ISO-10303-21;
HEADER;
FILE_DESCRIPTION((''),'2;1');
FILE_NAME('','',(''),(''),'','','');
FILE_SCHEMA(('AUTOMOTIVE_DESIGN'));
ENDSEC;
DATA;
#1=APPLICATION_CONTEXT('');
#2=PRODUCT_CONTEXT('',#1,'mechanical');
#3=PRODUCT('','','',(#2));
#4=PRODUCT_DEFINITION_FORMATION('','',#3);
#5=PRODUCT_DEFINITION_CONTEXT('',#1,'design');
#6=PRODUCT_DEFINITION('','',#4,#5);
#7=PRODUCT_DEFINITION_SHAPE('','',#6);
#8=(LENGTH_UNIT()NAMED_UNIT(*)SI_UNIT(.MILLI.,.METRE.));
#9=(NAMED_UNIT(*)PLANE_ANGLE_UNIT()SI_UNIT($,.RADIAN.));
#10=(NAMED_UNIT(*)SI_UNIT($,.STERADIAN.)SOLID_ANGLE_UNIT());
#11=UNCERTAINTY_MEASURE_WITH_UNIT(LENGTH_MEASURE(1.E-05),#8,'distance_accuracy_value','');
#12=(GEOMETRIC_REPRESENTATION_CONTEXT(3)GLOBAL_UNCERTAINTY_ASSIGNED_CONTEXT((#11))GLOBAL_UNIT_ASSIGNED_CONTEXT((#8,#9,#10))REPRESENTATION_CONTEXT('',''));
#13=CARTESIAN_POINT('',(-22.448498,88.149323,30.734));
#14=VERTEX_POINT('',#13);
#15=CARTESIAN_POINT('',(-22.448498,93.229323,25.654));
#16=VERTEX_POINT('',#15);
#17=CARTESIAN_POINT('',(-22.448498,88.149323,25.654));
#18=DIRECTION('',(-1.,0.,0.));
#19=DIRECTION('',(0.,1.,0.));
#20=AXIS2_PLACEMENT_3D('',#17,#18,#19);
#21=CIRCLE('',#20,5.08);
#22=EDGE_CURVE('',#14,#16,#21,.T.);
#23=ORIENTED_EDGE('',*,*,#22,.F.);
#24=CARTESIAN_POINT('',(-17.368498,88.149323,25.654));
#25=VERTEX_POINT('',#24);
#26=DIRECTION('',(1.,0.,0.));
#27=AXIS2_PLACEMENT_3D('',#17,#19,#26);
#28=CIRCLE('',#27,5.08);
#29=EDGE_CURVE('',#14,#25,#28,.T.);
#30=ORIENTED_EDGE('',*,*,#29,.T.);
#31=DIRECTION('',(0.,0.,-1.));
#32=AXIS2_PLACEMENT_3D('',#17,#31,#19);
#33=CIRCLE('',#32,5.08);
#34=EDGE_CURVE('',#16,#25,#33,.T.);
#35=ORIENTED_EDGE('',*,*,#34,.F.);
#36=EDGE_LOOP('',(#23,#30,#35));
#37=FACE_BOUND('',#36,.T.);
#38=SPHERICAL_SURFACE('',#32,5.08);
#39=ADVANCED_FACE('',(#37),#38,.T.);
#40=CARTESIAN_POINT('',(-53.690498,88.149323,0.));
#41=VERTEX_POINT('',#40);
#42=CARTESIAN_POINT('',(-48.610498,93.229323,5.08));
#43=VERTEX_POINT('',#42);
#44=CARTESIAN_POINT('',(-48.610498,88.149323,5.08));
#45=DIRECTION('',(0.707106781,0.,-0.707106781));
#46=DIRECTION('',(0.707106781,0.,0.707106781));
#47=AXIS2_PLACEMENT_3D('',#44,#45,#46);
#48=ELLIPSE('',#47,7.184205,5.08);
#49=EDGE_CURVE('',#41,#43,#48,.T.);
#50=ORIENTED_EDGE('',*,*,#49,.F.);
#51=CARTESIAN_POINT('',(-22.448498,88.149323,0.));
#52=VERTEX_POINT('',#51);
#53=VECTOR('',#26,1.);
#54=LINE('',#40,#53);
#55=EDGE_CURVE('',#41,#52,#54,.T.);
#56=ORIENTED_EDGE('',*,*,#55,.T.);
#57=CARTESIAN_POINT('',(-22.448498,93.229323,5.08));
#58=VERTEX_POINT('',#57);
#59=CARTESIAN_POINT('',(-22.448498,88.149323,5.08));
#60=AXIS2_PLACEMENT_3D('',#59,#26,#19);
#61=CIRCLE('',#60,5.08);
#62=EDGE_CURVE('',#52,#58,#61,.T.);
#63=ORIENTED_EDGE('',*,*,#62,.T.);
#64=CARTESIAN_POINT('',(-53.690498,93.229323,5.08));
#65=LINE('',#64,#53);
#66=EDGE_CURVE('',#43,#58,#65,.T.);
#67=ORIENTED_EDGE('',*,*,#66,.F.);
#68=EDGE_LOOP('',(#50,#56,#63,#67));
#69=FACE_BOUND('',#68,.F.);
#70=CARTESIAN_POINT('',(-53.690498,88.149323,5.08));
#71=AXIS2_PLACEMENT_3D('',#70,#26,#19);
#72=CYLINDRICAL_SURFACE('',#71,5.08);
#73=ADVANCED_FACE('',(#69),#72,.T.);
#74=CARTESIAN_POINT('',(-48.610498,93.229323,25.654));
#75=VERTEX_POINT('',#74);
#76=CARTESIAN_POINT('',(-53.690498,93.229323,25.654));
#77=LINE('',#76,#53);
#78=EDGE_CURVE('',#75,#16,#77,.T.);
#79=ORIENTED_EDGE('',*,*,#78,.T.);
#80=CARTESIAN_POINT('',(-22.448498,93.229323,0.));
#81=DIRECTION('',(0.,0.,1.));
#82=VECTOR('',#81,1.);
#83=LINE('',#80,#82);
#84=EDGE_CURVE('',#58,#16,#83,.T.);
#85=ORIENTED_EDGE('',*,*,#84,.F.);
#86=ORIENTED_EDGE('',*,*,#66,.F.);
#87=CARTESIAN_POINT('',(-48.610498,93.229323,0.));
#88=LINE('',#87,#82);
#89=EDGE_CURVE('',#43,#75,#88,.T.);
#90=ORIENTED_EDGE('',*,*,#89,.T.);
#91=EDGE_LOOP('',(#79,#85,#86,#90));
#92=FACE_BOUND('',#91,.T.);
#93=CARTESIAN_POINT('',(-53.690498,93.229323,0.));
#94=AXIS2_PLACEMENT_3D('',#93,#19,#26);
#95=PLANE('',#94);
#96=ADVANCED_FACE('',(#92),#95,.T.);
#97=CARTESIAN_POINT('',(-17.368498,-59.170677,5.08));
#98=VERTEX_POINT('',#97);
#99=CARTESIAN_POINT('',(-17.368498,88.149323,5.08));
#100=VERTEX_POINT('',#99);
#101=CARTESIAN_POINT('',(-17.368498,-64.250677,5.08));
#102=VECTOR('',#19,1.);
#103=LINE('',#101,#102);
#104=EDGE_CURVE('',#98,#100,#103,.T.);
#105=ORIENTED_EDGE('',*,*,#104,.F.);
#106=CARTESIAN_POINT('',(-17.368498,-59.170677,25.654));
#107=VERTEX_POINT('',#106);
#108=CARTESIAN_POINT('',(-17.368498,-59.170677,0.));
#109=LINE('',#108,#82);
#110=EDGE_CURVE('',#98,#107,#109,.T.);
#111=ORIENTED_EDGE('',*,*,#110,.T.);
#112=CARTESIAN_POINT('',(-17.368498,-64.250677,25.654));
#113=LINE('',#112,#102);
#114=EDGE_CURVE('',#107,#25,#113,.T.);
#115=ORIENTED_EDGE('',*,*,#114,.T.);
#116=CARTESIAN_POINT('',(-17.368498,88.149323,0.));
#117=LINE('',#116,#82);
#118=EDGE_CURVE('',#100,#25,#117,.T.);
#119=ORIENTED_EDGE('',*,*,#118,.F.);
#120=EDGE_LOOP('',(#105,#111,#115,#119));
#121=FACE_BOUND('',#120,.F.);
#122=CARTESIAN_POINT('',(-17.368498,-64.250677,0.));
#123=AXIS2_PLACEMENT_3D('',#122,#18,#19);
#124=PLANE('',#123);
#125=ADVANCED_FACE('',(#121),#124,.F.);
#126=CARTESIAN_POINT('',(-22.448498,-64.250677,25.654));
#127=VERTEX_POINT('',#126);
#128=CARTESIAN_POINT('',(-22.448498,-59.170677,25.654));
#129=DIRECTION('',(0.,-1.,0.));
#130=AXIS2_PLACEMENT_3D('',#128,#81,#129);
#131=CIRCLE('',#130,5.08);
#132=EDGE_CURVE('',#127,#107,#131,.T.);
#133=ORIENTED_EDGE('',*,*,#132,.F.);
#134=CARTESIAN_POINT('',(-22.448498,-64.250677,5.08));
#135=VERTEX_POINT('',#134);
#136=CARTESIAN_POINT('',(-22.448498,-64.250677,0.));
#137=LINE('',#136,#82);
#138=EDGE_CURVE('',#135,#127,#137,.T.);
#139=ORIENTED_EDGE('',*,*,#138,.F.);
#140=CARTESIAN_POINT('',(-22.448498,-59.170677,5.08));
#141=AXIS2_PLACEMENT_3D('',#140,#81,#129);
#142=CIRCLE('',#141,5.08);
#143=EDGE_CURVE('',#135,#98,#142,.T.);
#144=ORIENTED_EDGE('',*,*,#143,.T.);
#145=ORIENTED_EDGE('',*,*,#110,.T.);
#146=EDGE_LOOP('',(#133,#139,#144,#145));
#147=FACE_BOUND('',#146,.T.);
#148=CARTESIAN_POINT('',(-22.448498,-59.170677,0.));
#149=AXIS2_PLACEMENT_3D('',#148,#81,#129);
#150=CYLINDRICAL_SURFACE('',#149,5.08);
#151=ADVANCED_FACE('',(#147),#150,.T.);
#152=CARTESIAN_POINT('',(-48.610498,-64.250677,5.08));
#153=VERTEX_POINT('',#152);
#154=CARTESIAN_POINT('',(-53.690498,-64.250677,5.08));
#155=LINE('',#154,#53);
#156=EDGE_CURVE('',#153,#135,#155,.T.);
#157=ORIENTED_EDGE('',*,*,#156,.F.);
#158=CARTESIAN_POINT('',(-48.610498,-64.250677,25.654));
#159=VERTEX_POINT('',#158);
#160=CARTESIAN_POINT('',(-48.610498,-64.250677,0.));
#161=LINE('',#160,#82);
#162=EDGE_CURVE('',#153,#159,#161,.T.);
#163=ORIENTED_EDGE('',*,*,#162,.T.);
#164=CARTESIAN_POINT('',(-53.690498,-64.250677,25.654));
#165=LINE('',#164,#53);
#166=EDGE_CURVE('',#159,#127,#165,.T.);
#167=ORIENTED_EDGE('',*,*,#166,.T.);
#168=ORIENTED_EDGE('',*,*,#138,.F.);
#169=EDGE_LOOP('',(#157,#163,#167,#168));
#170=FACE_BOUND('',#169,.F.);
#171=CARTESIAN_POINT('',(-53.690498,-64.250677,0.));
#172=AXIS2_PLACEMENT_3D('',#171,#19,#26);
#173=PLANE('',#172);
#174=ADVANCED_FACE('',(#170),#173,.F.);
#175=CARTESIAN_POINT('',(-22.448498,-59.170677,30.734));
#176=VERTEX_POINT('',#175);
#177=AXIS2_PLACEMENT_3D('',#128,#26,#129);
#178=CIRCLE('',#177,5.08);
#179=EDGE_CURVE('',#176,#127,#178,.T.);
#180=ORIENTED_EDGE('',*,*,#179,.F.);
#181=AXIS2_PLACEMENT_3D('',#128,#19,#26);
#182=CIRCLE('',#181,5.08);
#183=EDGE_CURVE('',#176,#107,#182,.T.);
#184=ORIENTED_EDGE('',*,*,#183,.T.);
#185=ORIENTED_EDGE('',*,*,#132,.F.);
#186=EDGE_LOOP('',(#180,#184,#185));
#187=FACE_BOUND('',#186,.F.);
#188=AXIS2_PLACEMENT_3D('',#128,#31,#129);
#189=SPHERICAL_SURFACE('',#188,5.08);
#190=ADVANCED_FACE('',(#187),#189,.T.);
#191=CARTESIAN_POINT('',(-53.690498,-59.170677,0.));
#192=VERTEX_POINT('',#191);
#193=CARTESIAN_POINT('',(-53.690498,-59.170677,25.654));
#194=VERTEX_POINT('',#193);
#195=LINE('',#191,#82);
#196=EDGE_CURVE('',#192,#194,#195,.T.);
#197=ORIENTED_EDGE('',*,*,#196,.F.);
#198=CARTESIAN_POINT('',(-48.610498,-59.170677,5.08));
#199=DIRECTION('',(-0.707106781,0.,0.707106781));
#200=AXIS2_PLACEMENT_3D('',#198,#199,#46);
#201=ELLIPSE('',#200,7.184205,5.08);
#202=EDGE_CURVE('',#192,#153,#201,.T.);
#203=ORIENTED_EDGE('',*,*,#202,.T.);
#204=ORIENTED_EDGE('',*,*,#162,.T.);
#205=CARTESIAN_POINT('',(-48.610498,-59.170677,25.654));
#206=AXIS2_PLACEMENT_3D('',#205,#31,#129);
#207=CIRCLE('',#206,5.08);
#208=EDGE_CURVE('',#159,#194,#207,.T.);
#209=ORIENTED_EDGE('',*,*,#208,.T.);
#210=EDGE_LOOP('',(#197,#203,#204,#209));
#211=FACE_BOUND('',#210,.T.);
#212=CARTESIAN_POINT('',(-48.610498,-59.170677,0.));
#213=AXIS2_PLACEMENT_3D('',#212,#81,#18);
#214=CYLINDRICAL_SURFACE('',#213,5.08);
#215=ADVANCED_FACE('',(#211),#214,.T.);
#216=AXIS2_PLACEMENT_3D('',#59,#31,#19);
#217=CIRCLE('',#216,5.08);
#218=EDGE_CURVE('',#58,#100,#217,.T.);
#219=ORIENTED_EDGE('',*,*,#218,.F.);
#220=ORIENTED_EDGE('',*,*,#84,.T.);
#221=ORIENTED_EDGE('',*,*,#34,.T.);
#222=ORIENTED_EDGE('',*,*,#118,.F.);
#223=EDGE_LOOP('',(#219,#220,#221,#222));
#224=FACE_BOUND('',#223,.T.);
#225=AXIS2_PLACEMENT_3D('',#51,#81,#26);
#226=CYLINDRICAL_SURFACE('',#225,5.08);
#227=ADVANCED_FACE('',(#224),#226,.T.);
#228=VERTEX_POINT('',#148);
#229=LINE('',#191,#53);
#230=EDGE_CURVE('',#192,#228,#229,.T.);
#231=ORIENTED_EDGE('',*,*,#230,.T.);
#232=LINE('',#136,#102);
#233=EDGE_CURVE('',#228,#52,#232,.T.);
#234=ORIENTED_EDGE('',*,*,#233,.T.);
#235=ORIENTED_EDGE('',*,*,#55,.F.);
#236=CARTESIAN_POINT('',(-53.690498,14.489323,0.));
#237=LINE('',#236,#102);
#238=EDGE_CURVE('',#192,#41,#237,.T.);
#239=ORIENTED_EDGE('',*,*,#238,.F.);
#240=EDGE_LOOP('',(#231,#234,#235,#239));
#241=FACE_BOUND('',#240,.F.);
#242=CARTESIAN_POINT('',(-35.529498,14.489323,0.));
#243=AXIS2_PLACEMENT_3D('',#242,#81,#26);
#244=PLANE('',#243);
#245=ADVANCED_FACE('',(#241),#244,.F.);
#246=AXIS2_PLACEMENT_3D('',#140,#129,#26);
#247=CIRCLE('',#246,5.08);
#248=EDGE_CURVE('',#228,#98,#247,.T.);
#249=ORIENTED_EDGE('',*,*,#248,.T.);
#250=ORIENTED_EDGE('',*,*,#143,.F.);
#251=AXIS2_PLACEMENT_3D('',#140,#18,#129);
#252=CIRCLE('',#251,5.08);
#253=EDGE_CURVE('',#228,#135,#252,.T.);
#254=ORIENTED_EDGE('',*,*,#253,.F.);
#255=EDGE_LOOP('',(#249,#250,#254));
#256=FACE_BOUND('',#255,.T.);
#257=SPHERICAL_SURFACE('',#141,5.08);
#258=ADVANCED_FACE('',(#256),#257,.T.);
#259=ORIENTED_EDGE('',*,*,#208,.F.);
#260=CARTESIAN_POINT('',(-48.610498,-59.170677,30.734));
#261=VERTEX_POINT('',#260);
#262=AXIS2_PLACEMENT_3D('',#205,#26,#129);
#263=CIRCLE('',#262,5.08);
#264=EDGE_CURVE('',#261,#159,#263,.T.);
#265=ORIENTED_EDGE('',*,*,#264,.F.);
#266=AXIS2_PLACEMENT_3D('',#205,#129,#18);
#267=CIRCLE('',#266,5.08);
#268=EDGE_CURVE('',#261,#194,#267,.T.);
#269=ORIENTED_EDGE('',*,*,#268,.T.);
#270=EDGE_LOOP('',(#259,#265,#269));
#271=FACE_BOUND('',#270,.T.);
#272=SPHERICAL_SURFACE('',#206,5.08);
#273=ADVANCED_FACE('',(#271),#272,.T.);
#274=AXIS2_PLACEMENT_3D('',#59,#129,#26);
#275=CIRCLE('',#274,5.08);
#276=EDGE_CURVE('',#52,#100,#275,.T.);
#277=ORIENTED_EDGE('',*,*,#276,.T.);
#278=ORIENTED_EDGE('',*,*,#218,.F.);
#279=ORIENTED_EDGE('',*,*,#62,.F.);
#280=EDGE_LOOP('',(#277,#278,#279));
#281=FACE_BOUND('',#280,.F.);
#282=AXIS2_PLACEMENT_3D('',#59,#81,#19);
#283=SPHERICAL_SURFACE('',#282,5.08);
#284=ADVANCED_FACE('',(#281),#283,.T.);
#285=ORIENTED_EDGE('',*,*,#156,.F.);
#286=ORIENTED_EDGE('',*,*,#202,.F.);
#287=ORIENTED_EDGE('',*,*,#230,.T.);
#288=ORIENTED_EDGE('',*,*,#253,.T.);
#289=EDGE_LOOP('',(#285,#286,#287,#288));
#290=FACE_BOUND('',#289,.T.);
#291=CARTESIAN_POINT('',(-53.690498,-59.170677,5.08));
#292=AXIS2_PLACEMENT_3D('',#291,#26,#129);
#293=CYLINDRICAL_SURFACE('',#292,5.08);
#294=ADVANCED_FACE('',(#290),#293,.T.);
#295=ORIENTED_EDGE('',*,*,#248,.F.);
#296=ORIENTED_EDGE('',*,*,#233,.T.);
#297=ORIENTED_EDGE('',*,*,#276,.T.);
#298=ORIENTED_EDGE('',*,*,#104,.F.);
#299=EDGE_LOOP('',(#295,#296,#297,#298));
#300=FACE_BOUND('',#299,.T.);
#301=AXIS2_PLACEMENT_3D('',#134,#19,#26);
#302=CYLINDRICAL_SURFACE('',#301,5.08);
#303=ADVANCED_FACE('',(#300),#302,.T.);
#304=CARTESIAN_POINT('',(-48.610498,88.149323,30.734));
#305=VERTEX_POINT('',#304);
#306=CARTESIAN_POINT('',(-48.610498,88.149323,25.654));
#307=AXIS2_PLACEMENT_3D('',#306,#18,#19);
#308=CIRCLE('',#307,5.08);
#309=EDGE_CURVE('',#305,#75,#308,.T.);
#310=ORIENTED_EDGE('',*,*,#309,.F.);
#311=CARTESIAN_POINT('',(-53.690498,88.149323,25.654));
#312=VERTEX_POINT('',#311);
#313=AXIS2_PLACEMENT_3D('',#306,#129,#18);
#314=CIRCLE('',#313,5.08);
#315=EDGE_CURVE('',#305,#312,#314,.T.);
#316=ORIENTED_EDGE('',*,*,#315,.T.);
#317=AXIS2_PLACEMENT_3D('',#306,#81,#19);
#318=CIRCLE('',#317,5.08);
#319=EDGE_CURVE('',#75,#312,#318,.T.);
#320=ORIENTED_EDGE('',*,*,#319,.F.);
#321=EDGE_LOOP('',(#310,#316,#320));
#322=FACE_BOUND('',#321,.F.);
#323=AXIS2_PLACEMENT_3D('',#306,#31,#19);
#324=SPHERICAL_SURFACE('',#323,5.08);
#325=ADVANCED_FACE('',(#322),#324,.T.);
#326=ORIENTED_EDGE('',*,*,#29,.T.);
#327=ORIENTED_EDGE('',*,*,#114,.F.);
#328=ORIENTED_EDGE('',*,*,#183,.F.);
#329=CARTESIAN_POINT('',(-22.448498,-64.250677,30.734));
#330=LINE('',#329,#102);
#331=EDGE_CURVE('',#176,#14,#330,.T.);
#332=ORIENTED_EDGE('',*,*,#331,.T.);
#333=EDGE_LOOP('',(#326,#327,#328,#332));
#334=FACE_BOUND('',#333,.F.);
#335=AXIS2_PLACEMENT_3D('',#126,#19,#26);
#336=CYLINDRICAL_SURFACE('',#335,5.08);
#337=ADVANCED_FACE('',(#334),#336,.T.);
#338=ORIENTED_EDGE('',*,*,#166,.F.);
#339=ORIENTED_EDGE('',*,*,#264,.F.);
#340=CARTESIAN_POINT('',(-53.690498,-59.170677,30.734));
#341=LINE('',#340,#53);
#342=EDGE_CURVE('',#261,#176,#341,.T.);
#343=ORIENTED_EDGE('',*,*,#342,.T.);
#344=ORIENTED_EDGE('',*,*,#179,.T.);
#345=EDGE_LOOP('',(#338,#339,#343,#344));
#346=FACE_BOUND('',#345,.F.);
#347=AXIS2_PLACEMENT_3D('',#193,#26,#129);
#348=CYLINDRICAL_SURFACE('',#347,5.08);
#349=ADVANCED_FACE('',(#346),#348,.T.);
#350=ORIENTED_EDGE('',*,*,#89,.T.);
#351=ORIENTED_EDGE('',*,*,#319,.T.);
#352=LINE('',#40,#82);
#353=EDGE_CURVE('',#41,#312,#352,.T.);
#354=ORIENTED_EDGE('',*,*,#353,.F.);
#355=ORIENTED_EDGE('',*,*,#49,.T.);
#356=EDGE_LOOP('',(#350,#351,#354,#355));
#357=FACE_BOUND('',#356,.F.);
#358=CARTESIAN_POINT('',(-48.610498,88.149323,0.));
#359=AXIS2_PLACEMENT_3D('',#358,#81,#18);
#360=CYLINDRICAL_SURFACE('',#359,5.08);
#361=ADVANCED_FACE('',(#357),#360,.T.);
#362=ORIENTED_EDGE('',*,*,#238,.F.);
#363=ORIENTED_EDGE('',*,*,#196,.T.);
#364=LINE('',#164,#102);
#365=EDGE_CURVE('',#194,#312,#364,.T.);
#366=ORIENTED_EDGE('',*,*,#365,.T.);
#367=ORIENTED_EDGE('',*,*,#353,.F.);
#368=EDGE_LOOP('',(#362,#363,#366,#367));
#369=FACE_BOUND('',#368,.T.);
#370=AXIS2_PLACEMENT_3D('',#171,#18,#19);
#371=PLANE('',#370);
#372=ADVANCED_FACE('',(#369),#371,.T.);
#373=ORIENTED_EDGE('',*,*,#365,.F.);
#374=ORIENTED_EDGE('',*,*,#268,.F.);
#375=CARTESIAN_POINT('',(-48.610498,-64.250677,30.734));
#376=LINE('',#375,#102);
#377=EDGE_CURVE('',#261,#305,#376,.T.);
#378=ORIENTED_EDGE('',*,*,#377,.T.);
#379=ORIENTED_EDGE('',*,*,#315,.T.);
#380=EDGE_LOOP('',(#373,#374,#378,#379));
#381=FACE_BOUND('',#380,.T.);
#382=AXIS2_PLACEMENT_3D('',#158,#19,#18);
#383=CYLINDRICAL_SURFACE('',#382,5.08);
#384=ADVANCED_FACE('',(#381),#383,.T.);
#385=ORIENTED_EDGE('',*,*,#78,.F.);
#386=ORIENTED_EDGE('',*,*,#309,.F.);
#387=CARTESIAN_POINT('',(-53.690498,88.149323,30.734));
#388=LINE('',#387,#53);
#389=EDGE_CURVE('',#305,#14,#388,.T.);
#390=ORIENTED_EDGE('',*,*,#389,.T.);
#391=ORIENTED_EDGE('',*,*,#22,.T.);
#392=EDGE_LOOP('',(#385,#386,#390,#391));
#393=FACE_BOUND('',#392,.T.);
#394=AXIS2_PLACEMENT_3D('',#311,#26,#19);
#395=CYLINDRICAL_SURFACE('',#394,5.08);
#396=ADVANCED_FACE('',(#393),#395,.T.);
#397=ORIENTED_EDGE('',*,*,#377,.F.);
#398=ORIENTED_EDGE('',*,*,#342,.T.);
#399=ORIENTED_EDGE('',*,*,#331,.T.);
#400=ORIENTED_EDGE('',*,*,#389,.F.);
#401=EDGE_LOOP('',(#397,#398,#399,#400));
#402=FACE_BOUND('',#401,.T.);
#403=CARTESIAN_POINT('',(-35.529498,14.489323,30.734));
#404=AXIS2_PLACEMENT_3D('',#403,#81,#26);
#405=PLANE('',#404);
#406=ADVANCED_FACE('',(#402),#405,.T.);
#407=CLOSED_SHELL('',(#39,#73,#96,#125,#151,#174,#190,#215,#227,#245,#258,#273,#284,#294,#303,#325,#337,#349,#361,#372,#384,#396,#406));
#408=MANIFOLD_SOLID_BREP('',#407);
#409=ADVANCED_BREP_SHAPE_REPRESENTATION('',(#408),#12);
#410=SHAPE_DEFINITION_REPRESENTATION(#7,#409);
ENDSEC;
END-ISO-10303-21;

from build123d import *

# Parameters (mm, degrees)
F0_W     = 36.322
F0_H     = 157.48
F1_DEPTH = 30.734
F2_R     = 5.08


with BuildPart() as f1:
    # F0 (on Top) → F1 (new body)
    with BuildSketch(Plane.XY):
        with Locations((-35.529498, 14.489323)):
            Rectangle(F0_W, F0_H)
    extrude(amount=F1_DEPTH)

    # F2
    f2_edges = [f1.edges().sort_by_distance(p)[0] for p in [
        (-53.690498, -64.250677, 15.367),
        (-17.368498, -64.250677, 15.367),
        (-35.529498, -64.250677, 0),
        (-35.529498, -64.250677, 30.734),
        (-17.368498, 93.229323, 15.367),
        (-53.690498, 93.229323, 15.367),
        (-35.529498, 93.229323, 30.734),
        (-35.529498, 93.229323, 0),
        (-53.690498, 14.489323, 30.734),
        (-17.368498, 14.489323, 30.734),
        (-17.368498, 14.489323, 0),
    ]]
    fillet(f2_edges, radius=F2_R)


solid = f1.part
